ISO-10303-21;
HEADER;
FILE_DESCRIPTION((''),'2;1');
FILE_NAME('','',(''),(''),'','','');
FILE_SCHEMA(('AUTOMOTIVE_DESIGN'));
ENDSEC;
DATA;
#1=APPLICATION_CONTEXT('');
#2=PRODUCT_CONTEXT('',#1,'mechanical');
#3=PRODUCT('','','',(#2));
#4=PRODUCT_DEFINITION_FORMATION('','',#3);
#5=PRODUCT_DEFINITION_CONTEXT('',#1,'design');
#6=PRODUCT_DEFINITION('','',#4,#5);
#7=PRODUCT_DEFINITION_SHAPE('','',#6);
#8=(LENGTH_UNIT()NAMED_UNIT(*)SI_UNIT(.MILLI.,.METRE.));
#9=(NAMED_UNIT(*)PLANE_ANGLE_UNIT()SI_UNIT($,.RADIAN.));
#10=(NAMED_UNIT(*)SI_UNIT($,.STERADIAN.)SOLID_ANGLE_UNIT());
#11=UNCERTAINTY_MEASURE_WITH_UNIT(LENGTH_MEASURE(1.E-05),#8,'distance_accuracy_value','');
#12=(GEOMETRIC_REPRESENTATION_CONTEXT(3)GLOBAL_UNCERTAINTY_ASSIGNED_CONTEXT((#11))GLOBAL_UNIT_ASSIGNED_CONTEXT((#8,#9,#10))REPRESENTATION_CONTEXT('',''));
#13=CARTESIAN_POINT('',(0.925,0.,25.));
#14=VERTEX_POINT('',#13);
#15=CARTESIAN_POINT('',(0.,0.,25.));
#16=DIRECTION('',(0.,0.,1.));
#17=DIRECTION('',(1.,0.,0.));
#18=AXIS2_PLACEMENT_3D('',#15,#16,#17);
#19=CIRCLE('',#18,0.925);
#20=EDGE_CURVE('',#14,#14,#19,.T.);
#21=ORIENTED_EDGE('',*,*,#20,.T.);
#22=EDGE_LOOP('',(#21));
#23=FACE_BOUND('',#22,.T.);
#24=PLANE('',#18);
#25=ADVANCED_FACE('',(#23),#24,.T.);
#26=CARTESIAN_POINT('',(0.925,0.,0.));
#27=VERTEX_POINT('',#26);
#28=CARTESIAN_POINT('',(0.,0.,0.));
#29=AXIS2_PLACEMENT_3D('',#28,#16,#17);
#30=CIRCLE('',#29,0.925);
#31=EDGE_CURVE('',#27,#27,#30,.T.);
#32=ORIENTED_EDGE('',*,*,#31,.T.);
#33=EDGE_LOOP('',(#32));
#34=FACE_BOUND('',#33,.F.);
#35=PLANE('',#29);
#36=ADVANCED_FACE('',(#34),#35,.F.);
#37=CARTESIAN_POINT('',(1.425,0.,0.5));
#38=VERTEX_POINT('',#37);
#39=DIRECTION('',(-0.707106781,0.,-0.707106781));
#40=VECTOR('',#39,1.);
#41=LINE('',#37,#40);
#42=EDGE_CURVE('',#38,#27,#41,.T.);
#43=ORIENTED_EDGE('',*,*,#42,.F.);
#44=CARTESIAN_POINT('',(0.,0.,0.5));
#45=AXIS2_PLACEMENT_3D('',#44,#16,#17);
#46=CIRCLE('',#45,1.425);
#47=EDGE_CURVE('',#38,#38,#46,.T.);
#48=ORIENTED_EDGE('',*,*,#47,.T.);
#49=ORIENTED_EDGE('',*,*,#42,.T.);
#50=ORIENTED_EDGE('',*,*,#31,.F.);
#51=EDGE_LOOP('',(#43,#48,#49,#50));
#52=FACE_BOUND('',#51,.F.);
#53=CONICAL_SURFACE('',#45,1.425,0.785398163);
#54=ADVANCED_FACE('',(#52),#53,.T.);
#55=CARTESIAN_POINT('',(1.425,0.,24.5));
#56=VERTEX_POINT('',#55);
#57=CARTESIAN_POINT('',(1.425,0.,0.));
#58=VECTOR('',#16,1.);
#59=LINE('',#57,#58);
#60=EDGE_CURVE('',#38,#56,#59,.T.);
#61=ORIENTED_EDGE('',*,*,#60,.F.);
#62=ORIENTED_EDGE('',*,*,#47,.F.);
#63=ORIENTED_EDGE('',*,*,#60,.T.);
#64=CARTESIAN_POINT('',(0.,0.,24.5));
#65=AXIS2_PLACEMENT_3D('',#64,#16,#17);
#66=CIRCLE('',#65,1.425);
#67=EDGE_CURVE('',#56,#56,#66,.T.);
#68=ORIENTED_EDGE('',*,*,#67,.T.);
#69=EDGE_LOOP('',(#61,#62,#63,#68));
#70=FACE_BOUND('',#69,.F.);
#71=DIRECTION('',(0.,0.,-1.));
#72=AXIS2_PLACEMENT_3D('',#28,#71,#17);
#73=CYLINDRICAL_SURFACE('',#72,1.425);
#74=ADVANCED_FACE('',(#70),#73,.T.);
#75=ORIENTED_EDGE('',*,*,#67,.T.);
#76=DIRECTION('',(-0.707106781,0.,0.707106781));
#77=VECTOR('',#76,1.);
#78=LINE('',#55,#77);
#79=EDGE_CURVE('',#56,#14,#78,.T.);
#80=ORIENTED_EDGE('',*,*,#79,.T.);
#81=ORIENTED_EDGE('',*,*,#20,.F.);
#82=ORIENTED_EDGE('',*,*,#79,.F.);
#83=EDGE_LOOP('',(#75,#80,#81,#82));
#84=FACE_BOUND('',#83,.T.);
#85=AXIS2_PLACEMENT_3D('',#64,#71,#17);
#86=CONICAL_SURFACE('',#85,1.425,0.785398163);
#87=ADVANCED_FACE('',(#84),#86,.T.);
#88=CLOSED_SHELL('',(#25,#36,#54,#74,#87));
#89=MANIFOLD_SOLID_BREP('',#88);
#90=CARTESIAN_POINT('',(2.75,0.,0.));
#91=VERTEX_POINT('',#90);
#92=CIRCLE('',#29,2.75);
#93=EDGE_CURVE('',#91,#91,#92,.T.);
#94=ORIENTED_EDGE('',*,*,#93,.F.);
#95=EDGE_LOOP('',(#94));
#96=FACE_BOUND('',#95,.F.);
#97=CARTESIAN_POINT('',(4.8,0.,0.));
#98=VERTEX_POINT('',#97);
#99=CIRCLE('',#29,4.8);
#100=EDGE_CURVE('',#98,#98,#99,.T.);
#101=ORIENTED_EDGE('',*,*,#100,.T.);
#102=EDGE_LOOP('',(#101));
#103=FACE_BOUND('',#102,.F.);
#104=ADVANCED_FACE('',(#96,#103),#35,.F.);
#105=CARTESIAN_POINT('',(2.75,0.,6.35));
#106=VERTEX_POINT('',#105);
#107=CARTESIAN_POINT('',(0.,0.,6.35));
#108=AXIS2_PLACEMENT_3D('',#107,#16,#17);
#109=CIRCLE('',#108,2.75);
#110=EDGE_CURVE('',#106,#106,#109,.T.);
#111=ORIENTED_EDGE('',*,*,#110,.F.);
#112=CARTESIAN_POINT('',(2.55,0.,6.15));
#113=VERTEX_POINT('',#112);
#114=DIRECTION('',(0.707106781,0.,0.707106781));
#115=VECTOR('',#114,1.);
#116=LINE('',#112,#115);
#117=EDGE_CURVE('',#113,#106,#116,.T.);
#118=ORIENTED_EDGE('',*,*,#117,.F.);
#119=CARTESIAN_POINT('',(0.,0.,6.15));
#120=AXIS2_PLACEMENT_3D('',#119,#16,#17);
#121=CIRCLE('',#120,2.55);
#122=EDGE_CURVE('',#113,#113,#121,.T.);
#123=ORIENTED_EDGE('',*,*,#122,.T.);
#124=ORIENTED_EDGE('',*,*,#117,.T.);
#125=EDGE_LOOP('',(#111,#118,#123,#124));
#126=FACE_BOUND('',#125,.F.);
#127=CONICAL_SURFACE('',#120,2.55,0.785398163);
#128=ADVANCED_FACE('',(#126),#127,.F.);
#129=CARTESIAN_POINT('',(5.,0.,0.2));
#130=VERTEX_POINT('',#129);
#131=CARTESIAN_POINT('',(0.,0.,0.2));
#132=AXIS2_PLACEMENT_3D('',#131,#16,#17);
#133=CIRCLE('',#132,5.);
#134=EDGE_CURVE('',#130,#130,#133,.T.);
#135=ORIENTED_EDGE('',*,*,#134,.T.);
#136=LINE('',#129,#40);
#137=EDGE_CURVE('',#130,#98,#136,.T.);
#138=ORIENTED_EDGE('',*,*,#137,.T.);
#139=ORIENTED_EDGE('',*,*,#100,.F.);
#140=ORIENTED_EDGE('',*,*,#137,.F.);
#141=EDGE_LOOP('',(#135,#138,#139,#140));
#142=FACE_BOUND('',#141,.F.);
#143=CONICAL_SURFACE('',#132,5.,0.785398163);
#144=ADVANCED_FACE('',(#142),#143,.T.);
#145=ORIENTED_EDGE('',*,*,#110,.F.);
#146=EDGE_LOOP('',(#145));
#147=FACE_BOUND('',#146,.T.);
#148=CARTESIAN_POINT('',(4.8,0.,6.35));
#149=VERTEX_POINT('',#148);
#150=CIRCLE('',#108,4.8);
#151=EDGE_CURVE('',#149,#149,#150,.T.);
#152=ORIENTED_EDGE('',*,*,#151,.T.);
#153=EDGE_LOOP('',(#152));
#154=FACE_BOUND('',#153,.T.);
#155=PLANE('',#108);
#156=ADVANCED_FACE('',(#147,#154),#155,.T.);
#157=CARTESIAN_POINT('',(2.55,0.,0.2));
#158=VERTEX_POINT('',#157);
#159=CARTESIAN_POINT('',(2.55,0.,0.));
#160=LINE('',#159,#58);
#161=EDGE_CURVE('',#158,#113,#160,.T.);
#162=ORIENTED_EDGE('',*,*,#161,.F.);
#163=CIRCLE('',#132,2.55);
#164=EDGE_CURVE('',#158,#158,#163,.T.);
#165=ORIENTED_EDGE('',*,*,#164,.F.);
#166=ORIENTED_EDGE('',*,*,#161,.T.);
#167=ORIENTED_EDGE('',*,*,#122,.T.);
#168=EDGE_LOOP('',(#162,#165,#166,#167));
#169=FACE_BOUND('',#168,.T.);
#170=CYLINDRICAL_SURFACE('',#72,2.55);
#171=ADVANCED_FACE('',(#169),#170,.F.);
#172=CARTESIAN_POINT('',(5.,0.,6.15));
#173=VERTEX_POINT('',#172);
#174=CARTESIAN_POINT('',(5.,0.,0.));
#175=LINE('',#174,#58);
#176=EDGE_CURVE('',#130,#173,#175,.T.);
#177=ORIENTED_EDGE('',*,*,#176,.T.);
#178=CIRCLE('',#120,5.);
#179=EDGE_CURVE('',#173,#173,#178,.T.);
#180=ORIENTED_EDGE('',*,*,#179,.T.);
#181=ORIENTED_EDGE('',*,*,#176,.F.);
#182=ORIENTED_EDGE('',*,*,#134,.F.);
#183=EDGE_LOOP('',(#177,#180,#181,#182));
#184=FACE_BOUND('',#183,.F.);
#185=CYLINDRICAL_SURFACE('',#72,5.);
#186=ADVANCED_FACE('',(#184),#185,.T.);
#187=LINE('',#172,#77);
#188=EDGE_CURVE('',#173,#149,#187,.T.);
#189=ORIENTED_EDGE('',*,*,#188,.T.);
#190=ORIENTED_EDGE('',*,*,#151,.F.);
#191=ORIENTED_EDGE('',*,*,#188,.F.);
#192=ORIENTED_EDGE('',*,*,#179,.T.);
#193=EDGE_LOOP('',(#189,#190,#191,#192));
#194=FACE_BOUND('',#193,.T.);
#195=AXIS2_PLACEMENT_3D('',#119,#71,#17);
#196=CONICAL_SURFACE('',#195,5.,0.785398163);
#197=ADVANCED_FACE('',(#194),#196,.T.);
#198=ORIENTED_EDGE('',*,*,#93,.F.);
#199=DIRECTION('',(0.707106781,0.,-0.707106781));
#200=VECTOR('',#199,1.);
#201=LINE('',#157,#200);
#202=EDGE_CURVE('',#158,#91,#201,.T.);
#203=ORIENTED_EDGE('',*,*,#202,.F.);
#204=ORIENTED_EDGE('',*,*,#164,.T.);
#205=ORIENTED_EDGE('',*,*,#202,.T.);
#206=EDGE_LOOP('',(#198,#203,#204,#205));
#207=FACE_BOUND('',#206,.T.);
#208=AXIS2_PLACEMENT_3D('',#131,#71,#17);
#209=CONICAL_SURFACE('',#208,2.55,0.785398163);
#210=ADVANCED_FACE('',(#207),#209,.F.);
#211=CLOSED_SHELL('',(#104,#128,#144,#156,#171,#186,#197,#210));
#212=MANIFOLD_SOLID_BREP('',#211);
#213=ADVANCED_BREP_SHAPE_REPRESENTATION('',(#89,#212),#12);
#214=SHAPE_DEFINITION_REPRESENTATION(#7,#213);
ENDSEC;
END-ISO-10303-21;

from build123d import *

# Parameters (mm, degrees)
F0_R     = 1.425
F6_DEPTH = 25
F1_SIZE  = 0.5
F2_SIZE  = 0.5
F3_R     = 5
F3_R_2   = 2.55
F4_DEPTH = 6.35
F5_SIZE  = 0.2


with BuildPart() as f6:
    # F0 (on Top) → F6 (new body)
    with BuildSketch(Plane.XY):
        Circle(F0_R)
    extrude(amount=F6_DEPTH)

    # F1
    f1_edges = [f6.edges().sort_by_distance(p)[0] for p in [
        (-1.425, 0, 25),
    ]]
    chamfer(f1_edges, length=F1_SIZE)

    # F2
    f2_edges = [f6.edges().sort_by_distance(p)[0] for p in [
        (-1.425, 0, 0),
    ]]
    chamfer(f2_edges, length=F2_SIZE)


with BuildPart() as f4:
    # F3 (on Top) → F4 (new body)
    with BuildSketch(Plane.XY):
        Circle(F3_R)
        Circle(F3_R_2, mode=Mode.SUBTRACT)
    extrude(amount=F4_DEPTH)

    # F5
    f5_edges = [f4.edges().sort_by_distance(p)[0] for p in [
        (-2.55, 0, 6.35),
        (-5, 0, 6.35),
        (-5, 0, 0),
        (-2.55, 0, 0),
    ]]
    chamfer(f5_edges, length=F5_SIZE)


solid = Compound([f6.part, f4.part])
